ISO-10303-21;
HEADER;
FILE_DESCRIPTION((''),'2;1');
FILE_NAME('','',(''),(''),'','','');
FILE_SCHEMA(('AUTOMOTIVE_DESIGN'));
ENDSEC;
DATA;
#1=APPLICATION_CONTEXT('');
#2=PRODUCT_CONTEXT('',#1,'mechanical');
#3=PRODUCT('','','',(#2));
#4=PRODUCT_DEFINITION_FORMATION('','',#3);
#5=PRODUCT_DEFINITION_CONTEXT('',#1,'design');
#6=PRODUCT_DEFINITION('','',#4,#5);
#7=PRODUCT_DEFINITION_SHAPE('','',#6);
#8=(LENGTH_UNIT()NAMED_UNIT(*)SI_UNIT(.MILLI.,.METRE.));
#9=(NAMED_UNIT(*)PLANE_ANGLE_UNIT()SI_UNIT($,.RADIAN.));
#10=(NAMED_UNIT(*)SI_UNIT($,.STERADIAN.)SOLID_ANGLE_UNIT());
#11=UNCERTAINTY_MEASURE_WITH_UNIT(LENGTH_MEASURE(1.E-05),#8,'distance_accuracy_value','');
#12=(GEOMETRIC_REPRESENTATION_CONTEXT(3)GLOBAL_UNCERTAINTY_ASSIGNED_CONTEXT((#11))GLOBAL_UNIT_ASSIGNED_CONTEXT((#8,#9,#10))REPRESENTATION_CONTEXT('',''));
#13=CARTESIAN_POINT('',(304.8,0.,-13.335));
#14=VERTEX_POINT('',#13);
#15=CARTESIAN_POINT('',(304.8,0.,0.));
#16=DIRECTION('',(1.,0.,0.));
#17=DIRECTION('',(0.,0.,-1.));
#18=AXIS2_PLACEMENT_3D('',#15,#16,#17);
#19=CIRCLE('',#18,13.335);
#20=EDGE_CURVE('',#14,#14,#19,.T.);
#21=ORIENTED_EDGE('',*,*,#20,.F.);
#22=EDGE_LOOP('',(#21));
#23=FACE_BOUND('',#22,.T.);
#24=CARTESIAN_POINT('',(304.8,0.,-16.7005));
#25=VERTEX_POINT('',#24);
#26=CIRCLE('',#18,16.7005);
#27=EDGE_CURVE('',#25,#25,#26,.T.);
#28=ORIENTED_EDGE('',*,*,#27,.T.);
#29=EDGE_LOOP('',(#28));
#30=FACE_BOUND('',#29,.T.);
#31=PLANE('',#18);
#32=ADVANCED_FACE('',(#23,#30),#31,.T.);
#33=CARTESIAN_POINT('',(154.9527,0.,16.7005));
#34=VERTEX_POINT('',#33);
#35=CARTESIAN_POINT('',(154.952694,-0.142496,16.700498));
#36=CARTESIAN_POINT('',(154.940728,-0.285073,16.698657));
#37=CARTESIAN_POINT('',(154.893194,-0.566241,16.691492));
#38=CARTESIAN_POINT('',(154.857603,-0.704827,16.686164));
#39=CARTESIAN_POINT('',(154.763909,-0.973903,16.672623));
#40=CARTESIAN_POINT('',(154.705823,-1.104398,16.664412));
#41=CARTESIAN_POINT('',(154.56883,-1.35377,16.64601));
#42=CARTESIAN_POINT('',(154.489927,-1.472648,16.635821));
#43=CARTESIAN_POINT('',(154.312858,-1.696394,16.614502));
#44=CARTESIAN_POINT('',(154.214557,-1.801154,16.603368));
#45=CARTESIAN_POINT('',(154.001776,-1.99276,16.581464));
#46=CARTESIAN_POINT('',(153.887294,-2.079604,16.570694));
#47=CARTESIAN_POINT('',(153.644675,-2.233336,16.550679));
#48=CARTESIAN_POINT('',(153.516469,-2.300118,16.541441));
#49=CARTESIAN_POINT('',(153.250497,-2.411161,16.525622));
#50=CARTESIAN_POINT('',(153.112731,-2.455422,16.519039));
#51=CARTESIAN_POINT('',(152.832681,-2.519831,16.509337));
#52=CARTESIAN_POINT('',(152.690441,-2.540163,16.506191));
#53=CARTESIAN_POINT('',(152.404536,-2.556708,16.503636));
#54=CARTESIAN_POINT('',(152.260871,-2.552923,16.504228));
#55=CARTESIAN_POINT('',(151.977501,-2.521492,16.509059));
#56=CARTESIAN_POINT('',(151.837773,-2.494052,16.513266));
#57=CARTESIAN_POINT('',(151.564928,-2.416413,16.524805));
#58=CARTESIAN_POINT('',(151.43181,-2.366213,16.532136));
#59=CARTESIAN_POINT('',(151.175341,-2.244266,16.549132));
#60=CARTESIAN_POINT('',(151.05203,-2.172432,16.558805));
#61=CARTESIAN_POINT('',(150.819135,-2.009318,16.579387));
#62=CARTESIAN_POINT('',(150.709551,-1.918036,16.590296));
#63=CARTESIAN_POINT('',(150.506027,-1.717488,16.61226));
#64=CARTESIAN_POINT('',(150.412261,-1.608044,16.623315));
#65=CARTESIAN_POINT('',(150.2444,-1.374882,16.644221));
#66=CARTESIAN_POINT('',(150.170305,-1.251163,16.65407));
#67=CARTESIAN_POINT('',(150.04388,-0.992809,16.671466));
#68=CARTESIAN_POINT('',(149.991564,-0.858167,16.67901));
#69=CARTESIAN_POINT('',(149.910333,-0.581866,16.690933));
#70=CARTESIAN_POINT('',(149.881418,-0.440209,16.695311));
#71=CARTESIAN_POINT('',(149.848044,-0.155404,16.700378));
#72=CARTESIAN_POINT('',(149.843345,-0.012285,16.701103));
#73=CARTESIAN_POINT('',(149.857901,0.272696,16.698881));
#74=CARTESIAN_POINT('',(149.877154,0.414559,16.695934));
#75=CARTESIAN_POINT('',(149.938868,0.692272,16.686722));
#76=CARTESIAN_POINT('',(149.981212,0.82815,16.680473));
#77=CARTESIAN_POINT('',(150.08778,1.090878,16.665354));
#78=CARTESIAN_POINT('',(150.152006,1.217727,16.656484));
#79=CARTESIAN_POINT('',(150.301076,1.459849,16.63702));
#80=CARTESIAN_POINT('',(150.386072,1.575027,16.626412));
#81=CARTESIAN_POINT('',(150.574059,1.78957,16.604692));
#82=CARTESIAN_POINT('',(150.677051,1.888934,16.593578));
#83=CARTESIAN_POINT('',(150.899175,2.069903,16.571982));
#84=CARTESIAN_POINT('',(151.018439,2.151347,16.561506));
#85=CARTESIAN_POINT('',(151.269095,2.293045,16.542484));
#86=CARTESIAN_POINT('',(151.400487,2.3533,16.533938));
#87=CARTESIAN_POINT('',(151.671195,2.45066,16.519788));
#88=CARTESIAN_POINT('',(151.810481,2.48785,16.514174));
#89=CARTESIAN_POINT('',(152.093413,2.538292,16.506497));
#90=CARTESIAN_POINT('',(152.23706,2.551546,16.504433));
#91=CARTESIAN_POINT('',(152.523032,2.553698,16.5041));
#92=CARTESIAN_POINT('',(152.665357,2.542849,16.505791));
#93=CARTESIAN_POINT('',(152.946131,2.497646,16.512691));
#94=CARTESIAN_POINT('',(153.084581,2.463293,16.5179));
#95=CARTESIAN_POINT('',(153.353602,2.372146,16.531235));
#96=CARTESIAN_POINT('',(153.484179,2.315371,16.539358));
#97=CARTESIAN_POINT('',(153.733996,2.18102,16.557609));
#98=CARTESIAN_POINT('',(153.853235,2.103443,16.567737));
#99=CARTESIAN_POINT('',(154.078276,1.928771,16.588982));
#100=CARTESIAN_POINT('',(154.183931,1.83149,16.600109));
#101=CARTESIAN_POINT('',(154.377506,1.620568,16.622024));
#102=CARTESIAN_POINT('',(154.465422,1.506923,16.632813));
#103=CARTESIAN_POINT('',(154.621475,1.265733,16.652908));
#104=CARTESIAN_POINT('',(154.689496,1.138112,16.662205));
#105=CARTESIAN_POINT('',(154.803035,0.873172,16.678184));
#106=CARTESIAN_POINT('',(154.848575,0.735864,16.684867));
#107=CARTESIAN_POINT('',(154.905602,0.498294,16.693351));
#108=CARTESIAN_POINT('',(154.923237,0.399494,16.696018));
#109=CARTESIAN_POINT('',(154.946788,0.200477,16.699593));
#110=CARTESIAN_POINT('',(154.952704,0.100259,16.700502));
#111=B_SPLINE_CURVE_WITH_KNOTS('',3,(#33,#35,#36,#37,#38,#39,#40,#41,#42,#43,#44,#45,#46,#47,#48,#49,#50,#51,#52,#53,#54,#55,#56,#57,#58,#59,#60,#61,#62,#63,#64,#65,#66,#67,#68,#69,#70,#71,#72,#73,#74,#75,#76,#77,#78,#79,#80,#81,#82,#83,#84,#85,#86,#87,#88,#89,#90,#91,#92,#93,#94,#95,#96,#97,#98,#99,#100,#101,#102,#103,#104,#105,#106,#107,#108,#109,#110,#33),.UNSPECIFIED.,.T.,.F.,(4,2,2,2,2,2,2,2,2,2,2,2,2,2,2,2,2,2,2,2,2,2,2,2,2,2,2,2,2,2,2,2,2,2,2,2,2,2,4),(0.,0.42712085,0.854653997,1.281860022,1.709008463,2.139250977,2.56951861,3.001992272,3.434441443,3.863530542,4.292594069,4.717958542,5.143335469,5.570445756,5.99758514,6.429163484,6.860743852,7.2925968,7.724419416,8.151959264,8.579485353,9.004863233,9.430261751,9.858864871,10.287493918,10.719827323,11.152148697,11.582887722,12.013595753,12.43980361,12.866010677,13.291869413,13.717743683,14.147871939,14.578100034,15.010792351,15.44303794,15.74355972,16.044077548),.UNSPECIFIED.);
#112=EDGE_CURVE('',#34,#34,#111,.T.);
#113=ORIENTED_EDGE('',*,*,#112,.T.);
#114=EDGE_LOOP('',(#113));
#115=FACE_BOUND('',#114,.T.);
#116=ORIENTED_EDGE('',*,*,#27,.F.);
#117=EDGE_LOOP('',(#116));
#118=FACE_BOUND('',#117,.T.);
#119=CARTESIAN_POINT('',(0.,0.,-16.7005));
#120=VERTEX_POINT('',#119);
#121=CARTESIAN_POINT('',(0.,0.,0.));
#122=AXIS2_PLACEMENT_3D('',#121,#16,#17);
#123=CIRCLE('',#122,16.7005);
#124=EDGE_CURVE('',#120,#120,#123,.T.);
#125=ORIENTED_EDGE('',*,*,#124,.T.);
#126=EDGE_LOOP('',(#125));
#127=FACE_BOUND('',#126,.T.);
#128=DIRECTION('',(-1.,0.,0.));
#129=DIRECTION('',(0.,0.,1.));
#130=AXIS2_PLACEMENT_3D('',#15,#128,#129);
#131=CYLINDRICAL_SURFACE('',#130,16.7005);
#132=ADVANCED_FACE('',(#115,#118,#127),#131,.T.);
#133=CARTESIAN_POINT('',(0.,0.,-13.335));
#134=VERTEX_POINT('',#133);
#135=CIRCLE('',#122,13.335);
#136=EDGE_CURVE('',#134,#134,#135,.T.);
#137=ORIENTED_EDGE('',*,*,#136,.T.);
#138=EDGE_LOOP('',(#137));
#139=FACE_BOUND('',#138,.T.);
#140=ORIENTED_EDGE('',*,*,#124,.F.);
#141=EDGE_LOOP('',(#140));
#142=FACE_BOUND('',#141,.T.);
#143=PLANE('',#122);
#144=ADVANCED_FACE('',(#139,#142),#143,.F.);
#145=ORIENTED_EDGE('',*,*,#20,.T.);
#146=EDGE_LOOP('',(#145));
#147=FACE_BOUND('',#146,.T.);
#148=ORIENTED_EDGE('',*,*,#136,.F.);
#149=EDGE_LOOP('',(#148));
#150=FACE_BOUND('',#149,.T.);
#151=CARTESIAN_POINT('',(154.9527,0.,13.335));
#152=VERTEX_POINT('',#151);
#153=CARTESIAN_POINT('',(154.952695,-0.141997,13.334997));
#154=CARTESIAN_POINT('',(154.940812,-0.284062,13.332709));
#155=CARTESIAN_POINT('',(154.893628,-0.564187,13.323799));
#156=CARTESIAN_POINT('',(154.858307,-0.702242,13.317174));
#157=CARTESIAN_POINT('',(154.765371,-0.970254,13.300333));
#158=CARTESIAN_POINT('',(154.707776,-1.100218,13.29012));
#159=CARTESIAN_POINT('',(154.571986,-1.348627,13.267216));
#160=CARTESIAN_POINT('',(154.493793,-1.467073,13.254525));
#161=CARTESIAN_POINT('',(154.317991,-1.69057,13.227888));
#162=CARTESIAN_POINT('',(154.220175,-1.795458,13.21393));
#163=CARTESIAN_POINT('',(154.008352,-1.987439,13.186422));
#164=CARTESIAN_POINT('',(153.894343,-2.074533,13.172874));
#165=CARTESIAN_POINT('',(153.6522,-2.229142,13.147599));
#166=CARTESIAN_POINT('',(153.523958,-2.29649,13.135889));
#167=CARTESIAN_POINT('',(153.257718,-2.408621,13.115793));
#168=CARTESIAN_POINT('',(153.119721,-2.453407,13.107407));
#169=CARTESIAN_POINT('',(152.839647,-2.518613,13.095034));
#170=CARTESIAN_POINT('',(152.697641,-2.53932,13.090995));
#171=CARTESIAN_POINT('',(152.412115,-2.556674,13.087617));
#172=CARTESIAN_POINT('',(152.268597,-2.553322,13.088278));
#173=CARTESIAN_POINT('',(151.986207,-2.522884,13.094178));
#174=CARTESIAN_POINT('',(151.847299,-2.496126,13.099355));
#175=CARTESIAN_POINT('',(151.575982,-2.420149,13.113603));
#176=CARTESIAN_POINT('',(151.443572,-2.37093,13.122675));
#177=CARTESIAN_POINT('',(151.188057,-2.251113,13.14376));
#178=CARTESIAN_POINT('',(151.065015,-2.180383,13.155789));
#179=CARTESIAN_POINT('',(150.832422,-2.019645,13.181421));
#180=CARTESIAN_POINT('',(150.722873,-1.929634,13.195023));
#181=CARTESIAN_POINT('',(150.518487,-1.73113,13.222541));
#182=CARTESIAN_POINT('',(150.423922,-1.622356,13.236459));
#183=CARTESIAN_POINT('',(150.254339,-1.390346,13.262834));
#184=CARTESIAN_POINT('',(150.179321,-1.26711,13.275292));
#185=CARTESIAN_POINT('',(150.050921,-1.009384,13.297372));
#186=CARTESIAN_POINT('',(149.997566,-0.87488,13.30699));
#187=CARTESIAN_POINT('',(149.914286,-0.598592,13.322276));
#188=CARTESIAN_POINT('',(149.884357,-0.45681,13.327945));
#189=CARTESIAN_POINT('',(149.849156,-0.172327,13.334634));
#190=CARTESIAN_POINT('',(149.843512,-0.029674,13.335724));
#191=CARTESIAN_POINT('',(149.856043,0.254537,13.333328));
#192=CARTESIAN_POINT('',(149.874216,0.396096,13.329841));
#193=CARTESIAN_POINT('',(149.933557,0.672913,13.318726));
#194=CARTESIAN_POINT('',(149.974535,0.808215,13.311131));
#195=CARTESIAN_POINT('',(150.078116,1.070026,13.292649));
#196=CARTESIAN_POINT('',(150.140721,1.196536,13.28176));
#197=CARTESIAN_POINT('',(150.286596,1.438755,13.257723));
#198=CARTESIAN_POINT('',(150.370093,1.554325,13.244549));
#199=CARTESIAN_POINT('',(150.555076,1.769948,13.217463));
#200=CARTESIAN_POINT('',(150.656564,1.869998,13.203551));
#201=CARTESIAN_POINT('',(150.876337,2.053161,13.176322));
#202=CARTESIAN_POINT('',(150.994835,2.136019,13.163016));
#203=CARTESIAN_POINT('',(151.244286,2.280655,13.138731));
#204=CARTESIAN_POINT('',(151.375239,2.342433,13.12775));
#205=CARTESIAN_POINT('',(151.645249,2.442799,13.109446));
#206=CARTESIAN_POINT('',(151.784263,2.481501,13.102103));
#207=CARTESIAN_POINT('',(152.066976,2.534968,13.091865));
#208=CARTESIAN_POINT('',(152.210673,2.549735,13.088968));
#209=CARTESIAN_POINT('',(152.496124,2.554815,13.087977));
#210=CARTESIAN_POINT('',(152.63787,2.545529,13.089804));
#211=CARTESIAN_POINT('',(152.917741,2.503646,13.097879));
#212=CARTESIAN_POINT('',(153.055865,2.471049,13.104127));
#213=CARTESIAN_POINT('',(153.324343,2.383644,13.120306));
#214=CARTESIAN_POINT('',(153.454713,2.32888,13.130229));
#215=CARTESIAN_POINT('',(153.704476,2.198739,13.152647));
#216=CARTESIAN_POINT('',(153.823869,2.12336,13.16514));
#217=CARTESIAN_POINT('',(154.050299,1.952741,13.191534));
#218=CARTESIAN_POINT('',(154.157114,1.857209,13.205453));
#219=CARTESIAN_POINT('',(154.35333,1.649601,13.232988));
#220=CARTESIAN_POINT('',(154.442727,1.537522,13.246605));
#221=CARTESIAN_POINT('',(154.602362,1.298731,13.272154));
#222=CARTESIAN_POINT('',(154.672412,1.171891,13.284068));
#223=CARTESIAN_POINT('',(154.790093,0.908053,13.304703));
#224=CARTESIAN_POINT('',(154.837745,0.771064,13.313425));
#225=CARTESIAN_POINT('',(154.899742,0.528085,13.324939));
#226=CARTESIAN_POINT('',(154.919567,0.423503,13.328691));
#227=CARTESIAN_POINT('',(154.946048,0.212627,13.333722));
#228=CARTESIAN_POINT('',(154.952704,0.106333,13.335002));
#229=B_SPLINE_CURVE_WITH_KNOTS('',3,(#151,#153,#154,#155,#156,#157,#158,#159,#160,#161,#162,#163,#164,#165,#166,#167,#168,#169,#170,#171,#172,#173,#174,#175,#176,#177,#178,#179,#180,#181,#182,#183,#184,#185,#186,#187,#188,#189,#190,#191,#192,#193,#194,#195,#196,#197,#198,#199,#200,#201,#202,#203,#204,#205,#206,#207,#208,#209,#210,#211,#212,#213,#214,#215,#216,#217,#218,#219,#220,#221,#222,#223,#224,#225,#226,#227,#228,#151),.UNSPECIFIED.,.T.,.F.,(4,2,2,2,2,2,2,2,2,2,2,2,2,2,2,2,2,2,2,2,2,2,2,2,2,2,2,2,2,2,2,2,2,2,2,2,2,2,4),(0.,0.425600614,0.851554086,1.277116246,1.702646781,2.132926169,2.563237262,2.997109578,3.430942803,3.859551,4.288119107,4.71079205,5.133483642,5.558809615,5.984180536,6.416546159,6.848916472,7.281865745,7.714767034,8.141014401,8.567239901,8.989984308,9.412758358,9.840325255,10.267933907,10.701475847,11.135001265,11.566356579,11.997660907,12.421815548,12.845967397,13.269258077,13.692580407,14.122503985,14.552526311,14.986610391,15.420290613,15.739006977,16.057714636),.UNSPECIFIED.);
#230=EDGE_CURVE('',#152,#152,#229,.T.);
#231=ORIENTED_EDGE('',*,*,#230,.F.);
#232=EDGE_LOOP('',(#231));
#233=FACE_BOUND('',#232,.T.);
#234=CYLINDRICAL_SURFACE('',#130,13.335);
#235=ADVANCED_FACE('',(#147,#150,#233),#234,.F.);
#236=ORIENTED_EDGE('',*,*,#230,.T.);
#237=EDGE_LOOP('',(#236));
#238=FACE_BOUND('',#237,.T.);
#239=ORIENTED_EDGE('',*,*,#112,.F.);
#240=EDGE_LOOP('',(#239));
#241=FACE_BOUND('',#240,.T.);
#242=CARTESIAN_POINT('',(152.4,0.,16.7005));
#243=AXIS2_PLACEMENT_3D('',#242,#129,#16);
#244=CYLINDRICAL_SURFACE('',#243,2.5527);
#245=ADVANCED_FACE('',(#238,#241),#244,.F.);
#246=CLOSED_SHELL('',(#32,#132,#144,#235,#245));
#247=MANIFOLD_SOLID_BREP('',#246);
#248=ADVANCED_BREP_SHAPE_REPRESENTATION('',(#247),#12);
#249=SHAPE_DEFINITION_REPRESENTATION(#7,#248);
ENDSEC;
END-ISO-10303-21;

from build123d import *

# Parameters (mm, degrees)
SKETCH1_R                    = 16.7005
SKETCH1_R_2                  = 13.335
BOSS_EXTRUDE1_DEPTH          = 304.8
F_1_4_20_TAPPED_HOLE1_REACH  = 158.909
F_1_4_20_TAPPED_HOLE1_BORE_R = 2.5527


with BuildPart() as part:
    # Sketch1 → Boss-Extrude1 (new body)
    with BuildSketch(Plane(origin=(0, 0, 0), x_dir=(0, 0, -1), z_dir=(1, 0, 0))):
        with Locations(Location((0, 0, 0), (0, 0, 180))):
            Circle(SKETCH1_R)
        with Locations(Location((0, 0, 0), (0, 0, 180))):
            Circle(SKETCH1_R_2, mode=Mode.SUBTRACT)
    extrude(amount=BOSS_EXTRUDE1_DEPTH)

    # 1/4-20 Tapped Hole1 bore (on position points) → 1/4-20 Tapped Hole1 (cut, up to next)
    with BuildSketch(Plane(origin=(152.4, 0, 16.7005), x_dir=(1, 0, 0), z_dir=(0, 0, 1)), mode=Mode.PRIVATE) as f_1_4_20_tapped_hole1_sk1:
        Circle(F_1_4_20_TAPPED_HOLE1_BORE_R)
    f_1_4_20_tapped_hole1_tool1 = extrude(f_1_4_20_tapped_hole1_sk1.sketch, amount=-F_1_4_20_TAPPED_HOLE1_REACH, mode=Mode.PRIVATE) & part.part
    add(f_1_4_20_tapped_hole1_tool1.solids().sort_by_distance((152.4, 0, 16.7005))[0], mode=Mode.SUBTRACT)


solid = part.part
